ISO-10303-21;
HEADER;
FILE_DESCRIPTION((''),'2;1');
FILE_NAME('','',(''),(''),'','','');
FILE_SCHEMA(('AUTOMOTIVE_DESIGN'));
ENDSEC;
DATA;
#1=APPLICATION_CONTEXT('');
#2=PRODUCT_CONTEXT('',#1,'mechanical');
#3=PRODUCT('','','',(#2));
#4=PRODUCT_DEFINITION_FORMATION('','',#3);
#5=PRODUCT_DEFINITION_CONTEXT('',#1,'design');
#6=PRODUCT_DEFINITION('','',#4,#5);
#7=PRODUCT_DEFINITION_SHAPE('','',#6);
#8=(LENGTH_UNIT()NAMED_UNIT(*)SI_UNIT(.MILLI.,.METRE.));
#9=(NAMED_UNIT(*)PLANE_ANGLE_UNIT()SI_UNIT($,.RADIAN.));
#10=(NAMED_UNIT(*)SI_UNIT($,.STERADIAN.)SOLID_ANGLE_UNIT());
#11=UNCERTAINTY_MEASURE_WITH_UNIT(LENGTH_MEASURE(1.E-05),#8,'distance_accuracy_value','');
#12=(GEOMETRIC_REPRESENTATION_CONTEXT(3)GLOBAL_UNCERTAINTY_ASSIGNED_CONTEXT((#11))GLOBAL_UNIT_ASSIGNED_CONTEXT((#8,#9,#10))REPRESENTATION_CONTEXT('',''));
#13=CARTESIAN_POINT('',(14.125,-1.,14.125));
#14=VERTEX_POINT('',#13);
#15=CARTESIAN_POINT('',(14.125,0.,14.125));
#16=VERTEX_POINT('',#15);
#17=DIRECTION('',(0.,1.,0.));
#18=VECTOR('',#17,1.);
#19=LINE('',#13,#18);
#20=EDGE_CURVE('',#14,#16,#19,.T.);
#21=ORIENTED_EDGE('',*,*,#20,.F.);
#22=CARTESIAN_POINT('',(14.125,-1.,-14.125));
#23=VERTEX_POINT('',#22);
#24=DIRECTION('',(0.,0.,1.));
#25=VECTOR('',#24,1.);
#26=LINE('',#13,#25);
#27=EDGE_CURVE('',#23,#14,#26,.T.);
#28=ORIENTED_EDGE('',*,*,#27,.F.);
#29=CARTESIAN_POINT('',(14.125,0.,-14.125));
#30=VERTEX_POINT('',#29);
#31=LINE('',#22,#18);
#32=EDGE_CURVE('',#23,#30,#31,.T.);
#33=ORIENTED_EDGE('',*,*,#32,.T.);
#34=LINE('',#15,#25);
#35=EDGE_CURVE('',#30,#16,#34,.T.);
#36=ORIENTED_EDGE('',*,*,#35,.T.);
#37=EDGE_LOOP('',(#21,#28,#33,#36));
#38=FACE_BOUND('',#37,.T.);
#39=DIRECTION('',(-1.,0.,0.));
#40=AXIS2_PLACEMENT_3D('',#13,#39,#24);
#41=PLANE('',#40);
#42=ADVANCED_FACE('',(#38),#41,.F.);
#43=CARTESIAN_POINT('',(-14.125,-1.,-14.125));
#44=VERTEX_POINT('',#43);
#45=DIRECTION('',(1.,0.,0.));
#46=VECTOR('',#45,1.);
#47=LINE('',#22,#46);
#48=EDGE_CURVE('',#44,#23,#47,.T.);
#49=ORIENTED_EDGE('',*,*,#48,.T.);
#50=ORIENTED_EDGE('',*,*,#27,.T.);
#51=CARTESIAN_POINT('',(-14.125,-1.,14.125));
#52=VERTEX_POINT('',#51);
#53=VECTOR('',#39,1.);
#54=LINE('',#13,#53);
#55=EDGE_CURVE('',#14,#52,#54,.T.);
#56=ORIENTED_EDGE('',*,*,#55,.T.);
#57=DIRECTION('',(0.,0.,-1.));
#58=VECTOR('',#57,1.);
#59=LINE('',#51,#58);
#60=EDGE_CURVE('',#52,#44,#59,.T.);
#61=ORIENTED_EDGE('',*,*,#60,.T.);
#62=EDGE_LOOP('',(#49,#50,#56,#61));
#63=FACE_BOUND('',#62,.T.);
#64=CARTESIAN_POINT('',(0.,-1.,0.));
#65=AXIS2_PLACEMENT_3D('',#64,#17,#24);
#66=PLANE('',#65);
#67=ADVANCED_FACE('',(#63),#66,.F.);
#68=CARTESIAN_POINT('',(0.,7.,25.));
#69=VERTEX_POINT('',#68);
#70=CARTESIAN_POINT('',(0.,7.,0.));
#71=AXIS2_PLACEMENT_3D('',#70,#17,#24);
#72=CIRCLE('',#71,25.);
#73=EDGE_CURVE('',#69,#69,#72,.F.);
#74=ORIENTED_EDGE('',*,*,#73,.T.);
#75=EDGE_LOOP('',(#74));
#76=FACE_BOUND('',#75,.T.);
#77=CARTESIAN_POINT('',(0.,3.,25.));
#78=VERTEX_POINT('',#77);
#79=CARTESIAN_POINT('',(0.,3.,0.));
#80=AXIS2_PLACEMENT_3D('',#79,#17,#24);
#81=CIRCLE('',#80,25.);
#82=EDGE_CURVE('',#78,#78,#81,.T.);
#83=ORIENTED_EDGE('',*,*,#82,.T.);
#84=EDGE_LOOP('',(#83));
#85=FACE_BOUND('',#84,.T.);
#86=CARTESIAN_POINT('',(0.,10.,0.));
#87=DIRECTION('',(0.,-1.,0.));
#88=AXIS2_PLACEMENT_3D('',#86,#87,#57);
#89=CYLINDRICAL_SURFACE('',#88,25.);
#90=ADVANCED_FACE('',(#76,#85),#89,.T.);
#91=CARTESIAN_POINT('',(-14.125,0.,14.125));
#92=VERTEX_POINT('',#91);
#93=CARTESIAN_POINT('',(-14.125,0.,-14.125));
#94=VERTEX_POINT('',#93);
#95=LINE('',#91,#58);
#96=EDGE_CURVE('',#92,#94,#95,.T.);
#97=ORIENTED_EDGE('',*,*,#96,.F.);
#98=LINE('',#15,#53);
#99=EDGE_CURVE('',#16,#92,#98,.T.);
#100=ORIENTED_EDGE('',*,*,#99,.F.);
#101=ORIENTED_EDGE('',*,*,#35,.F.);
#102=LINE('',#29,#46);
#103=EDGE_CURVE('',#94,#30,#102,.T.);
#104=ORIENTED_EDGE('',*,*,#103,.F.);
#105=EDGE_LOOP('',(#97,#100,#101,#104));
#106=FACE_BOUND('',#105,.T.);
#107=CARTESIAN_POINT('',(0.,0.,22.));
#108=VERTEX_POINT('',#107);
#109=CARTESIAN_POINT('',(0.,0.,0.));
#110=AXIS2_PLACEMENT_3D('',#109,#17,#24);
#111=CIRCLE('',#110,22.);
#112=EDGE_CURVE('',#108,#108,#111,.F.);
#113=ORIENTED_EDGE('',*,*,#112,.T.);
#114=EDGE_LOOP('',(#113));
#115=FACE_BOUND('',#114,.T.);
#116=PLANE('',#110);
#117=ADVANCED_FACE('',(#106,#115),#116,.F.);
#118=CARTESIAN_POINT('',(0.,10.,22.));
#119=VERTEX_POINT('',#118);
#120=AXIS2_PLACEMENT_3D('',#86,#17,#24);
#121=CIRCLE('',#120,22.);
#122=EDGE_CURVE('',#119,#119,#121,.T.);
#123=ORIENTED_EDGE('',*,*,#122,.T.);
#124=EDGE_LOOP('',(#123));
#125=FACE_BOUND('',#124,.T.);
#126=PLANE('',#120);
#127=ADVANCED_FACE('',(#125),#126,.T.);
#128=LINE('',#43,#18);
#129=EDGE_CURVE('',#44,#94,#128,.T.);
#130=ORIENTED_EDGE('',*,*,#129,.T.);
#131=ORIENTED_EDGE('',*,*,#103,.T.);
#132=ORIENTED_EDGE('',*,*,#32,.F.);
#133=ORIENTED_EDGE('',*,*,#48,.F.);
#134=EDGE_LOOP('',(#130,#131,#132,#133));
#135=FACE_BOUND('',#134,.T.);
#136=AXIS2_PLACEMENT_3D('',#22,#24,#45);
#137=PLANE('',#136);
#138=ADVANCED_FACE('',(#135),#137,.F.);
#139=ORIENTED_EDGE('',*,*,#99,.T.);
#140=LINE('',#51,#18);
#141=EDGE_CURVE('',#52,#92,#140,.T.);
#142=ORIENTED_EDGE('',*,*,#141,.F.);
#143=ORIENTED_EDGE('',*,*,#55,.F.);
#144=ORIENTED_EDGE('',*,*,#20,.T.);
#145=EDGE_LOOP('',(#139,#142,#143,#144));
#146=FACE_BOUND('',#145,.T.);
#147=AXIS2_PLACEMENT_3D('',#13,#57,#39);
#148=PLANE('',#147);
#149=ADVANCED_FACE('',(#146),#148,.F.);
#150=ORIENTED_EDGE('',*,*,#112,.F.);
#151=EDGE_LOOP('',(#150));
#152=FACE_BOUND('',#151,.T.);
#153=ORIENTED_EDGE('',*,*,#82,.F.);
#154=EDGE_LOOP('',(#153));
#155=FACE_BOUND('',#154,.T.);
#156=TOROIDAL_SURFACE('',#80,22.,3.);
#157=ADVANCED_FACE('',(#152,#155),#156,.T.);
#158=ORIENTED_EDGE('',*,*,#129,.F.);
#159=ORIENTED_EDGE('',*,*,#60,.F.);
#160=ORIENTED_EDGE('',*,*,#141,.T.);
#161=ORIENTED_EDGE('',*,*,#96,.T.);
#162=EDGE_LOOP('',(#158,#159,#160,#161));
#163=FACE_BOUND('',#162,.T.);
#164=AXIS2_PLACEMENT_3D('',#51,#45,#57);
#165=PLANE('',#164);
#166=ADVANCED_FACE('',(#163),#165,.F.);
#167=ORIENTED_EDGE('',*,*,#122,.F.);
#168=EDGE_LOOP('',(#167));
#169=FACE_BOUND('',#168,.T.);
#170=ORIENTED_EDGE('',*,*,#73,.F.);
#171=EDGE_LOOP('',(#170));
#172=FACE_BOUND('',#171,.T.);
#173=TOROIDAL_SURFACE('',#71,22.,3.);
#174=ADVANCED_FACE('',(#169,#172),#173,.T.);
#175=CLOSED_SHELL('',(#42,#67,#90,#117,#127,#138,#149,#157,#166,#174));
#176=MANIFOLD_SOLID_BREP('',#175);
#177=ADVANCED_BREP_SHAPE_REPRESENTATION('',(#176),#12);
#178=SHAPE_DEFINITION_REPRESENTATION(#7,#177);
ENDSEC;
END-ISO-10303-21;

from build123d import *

# Parameters (mm, degrees)
SKETCH2_R           = 25
BOSS_EXTRUDE1_DEPTH = 10
FILLET1_R           = 3
SKETCH3_W           = 28.25
SKETCH3_H           = 28.25
BOSS_EXTRUDE2_DEPTH = 1


with BuildPart() as part:
    # Sketch2 → Boss-Extrude1 (new body)
    with BuildSketch(Plane(origin=(0, 0, 0), x_dir=(1, 0, 0), z_dir=(0, 1, 0))):
        with Locations(Location((0, 0, 0), (0, 0, 270))):
            Circle(SKETCH2_R)
    extrude(amount=BOSS_EXTRUDE1_DEPTH)

    # Fillet1
    fillet1_edges = [part.edges().sort_by_distance(p)[0] for p in [
        (0, 0, -25),
        (0, 10, -25),
    ]]
    fillet(fillet1_edges, radius=FILLET1_R)

    # Sketch3 → Boss-Extrude2 (add)
    with BuildSketch(Plane(origin=(0, 0, 0), x_dir=(-1, 0, 0), z_dir=(0, -1, 0))):
        Rectangle(SKETCH3_W, SKETCH3_H)
    extrude(amount=BOSS_EXTRUDE2_DEPTH)


solid = part.part
